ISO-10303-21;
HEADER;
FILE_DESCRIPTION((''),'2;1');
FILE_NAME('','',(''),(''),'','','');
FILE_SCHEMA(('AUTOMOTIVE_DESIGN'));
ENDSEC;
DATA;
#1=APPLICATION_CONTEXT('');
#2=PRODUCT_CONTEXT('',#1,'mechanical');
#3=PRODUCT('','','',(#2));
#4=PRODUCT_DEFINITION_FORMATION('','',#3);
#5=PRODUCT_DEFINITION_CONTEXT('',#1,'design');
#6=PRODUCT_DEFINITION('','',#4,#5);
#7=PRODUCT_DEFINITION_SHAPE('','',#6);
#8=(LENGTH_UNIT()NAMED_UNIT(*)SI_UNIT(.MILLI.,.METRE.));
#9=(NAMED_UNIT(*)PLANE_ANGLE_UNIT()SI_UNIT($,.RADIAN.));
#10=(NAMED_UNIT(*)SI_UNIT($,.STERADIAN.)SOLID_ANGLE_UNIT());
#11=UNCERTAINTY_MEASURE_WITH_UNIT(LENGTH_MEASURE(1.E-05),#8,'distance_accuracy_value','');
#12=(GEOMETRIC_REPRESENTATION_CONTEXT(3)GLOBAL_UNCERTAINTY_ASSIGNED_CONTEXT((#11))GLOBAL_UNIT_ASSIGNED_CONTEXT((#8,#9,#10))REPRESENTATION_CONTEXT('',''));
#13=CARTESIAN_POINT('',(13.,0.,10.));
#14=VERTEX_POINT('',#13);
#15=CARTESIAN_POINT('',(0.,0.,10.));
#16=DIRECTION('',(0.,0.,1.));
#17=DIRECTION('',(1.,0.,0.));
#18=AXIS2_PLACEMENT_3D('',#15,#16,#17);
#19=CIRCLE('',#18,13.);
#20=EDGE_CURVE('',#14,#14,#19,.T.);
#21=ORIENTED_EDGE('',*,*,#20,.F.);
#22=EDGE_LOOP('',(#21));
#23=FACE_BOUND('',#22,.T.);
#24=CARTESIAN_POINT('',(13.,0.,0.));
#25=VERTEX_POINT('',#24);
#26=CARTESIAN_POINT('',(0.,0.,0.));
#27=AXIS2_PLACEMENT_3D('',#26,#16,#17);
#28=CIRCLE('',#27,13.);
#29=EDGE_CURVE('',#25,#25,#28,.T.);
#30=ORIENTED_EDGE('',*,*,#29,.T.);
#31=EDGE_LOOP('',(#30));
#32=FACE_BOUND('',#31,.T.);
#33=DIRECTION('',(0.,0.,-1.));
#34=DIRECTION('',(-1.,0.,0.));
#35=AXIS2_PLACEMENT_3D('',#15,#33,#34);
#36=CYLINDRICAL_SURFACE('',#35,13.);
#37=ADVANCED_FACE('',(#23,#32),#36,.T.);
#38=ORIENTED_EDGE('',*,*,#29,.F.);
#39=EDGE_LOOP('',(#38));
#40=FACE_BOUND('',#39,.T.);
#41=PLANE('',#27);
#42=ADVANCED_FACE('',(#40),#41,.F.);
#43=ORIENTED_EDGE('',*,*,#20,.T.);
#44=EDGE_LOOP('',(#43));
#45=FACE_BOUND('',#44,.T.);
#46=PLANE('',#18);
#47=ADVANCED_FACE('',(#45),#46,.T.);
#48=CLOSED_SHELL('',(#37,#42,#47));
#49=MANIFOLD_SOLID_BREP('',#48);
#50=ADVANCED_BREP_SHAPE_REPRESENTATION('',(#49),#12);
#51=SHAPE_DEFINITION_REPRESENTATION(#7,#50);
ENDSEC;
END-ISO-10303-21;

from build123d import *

# Parameters (mm, degrees)
ESQUISSE1_R        = 13
BOSS_EXTRU_1_DEPTH = 10


with BuildPart() as part:
    # Esquisse1 → Boss.-Extru.1 (new body)
    with BuildSketch(Plane.XY):
        Circle(ESQUISSE1_R)
    extrude(amount=BOSS_EXTRU_1_DEPTH)


solid = part.part
